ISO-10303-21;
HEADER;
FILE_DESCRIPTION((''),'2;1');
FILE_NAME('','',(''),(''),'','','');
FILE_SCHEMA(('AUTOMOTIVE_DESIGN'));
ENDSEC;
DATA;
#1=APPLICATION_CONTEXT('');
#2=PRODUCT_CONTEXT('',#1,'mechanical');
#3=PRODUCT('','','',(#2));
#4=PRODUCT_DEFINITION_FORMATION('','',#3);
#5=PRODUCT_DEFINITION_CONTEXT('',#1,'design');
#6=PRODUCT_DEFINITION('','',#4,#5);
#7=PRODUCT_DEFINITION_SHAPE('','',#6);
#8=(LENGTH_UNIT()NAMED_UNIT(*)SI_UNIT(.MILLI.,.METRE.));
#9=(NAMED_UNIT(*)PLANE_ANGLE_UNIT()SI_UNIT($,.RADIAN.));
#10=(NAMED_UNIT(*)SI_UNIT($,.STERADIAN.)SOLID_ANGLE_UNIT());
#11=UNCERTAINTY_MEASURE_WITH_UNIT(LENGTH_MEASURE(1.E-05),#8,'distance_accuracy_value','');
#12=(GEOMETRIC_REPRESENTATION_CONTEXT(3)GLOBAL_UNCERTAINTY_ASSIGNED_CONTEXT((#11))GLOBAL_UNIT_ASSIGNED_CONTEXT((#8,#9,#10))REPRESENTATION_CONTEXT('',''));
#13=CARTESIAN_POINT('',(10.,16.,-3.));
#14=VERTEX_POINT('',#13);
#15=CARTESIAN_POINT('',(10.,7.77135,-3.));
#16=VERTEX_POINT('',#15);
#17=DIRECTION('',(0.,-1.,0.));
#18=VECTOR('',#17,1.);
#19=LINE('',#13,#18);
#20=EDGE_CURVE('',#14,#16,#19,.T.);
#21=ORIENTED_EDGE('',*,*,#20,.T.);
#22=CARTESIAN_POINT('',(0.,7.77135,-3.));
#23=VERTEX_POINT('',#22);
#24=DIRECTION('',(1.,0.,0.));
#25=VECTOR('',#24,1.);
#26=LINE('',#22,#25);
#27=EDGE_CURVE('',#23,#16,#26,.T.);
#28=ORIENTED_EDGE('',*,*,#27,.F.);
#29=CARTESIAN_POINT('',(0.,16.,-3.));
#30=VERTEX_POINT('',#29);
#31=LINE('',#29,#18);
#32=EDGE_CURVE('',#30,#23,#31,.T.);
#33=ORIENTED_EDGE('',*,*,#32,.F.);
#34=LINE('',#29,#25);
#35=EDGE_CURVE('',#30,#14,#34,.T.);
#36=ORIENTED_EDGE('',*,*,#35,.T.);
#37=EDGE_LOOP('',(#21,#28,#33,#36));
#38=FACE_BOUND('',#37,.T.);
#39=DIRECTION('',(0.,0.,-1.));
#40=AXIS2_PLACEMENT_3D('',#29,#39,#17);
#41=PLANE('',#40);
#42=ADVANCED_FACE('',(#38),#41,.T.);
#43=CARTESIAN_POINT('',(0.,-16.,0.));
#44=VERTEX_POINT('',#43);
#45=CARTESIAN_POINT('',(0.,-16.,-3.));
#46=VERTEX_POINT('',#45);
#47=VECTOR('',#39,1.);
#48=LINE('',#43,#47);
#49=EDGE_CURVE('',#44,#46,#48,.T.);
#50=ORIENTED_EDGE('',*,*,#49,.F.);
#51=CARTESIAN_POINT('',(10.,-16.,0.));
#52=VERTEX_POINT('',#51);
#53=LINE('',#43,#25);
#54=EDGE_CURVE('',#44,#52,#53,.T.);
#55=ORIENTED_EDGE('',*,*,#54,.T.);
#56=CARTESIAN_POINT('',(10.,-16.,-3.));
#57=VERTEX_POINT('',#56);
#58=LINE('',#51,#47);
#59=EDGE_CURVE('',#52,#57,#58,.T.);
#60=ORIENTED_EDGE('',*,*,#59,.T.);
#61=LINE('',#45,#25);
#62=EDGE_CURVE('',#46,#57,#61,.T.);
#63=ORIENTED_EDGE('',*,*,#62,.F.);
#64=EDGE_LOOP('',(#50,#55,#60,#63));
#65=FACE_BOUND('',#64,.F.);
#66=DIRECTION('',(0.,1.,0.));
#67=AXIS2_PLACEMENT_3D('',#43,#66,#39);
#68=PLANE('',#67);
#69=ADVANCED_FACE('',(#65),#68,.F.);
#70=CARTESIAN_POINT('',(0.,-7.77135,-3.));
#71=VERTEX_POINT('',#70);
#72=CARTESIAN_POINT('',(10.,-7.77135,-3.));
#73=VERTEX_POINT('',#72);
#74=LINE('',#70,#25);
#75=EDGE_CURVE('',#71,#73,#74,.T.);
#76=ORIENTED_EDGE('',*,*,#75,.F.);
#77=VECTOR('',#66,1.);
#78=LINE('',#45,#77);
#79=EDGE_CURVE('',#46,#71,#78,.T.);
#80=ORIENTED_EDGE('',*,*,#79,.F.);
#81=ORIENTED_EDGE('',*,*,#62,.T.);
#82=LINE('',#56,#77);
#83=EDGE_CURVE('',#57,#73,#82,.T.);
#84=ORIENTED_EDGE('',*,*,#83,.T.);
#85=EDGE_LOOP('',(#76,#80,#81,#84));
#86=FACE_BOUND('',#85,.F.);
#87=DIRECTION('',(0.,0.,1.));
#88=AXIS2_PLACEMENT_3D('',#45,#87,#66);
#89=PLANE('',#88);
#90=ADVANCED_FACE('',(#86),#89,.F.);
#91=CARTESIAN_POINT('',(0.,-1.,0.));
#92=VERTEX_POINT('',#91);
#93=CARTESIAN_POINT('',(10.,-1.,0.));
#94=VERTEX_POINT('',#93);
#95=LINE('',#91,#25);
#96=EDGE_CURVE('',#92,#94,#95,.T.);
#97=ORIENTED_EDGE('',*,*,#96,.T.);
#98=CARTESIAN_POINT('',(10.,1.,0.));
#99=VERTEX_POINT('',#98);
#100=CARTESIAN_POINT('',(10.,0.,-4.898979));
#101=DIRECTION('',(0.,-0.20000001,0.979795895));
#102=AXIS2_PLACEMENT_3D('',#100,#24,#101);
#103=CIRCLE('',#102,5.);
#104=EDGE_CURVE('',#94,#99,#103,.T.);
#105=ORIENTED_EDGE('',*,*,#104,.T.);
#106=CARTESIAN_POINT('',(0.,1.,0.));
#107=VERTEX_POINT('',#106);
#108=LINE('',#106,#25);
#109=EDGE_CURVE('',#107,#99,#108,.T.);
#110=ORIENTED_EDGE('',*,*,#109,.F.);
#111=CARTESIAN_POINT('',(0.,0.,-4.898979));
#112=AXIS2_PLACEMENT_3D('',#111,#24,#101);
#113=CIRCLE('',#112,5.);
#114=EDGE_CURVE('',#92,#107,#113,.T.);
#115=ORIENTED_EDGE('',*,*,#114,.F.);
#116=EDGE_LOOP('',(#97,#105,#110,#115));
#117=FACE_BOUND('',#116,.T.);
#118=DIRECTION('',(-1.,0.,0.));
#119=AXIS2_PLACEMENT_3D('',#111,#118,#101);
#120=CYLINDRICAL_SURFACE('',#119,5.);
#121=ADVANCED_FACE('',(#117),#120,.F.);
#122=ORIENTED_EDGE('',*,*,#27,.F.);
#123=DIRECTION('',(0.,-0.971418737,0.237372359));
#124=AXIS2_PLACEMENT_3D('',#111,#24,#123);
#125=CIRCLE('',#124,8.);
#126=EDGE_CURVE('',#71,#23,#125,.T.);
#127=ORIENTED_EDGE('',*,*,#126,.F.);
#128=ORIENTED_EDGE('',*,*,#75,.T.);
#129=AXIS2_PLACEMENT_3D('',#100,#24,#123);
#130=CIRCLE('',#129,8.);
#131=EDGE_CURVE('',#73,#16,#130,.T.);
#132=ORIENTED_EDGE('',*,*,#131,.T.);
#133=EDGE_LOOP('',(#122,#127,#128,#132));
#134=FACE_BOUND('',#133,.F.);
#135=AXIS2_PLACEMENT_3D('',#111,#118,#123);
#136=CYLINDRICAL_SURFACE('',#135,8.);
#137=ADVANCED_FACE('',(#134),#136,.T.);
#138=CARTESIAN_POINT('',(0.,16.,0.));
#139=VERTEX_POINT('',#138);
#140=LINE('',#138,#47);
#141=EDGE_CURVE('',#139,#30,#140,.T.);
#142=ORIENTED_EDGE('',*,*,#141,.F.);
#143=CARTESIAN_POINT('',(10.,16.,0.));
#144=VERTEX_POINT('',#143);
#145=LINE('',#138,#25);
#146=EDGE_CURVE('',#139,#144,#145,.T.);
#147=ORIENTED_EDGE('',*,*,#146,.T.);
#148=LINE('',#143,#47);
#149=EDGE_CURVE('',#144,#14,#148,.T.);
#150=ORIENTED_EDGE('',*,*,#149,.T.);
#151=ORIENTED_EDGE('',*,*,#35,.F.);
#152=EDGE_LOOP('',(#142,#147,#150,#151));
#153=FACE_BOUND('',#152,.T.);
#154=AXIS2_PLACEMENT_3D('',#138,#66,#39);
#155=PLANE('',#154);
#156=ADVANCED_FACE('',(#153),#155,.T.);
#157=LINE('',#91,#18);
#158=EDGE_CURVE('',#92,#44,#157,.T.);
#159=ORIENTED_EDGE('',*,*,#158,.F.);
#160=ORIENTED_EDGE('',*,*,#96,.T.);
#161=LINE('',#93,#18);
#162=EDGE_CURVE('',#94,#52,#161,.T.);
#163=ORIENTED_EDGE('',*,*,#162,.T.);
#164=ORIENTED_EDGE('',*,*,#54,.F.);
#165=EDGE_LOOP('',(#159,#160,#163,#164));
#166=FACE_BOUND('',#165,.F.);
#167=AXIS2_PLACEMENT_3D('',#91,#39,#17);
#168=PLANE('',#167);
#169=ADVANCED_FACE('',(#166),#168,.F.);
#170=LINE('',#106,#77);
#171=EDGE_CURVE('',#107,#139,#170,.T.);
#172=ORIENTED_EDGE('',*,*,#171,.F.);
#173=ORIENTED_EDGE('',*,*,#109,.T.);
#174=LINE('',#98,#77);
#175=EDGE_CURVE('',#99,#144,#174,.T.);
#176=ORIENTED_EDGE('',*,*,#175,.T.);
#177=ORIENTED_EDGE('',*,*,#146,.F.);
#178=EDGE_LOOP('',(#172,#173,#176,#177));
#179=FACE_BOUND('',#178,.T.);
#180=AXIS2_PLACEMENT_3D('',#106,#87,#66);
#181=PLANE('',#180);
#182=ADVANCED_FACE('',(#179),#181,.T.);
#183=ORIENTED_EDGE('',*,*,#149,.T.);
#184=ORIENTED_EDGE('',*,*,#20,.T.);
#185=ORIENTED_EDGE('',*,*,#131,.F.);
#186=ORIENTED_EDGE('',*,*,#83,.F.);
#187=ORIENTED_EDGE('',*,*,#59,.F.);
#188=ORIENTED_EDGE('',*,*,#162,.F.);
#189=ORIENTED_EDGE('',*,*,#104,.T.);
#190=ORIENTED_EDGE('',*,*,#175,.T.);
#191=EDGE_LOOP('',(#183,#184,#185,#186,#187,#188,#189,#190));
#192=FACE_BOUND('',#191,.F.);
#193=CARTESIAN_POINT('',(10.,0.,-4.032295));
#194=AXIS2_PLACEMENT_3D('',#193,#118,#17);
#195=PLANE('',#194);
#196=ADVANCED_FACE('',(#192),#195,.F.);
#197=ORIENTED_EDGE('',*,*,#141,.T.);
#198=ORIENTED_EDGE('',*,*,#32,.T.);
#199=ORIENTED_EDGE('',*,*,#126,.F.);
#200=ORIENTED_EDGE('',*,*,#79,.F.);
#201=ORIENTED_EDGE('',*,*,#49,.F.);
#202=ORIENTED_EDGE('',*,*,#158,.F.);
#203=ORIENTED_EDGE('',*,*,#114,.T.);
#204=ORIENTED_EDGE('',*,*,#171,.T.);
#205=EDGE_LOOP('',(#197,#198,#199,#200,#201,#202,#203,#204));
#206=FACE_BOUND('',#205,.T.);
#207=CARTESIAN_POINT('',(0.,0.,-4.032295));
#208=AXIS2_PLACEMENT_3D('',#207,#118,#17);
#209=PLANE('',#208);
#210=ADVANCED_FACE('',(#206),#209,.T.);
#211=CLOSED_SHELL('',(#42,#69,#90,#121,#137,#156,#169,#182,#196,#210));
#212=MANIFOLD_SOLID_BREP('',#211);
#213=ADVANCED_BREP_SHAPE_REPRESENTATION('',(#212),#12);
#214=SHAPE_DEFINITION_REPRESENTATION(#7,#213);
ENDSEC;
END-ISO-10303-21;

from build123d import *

# Parameters (mm, degrees)
PAD_DEPTH = 10


with BuildPart() as part:
    # Sketch → Pad (new body)
    with BuildSketch(Plane.YZ):
        with BuildLine():
            ThreePointArc((-1, 0), (0, -9.898979), (1, 0))
            Line((1, 0), (16, 0))
            Line((16, 0), (16, -3))
            Line((16, -3), (7.77135, -3))
            ThreePointArc((-7.77135, -3), (0, -12.898979), (7.77135, -3))
            Line((-16, -3), (-7.77135, -3))
            Line((-16, 0), (-16, -3))
            Line((-1, 0), (-16, 0))
        make_face()
    extrude(amount=PAD_DEPTH)


solid = part.part
